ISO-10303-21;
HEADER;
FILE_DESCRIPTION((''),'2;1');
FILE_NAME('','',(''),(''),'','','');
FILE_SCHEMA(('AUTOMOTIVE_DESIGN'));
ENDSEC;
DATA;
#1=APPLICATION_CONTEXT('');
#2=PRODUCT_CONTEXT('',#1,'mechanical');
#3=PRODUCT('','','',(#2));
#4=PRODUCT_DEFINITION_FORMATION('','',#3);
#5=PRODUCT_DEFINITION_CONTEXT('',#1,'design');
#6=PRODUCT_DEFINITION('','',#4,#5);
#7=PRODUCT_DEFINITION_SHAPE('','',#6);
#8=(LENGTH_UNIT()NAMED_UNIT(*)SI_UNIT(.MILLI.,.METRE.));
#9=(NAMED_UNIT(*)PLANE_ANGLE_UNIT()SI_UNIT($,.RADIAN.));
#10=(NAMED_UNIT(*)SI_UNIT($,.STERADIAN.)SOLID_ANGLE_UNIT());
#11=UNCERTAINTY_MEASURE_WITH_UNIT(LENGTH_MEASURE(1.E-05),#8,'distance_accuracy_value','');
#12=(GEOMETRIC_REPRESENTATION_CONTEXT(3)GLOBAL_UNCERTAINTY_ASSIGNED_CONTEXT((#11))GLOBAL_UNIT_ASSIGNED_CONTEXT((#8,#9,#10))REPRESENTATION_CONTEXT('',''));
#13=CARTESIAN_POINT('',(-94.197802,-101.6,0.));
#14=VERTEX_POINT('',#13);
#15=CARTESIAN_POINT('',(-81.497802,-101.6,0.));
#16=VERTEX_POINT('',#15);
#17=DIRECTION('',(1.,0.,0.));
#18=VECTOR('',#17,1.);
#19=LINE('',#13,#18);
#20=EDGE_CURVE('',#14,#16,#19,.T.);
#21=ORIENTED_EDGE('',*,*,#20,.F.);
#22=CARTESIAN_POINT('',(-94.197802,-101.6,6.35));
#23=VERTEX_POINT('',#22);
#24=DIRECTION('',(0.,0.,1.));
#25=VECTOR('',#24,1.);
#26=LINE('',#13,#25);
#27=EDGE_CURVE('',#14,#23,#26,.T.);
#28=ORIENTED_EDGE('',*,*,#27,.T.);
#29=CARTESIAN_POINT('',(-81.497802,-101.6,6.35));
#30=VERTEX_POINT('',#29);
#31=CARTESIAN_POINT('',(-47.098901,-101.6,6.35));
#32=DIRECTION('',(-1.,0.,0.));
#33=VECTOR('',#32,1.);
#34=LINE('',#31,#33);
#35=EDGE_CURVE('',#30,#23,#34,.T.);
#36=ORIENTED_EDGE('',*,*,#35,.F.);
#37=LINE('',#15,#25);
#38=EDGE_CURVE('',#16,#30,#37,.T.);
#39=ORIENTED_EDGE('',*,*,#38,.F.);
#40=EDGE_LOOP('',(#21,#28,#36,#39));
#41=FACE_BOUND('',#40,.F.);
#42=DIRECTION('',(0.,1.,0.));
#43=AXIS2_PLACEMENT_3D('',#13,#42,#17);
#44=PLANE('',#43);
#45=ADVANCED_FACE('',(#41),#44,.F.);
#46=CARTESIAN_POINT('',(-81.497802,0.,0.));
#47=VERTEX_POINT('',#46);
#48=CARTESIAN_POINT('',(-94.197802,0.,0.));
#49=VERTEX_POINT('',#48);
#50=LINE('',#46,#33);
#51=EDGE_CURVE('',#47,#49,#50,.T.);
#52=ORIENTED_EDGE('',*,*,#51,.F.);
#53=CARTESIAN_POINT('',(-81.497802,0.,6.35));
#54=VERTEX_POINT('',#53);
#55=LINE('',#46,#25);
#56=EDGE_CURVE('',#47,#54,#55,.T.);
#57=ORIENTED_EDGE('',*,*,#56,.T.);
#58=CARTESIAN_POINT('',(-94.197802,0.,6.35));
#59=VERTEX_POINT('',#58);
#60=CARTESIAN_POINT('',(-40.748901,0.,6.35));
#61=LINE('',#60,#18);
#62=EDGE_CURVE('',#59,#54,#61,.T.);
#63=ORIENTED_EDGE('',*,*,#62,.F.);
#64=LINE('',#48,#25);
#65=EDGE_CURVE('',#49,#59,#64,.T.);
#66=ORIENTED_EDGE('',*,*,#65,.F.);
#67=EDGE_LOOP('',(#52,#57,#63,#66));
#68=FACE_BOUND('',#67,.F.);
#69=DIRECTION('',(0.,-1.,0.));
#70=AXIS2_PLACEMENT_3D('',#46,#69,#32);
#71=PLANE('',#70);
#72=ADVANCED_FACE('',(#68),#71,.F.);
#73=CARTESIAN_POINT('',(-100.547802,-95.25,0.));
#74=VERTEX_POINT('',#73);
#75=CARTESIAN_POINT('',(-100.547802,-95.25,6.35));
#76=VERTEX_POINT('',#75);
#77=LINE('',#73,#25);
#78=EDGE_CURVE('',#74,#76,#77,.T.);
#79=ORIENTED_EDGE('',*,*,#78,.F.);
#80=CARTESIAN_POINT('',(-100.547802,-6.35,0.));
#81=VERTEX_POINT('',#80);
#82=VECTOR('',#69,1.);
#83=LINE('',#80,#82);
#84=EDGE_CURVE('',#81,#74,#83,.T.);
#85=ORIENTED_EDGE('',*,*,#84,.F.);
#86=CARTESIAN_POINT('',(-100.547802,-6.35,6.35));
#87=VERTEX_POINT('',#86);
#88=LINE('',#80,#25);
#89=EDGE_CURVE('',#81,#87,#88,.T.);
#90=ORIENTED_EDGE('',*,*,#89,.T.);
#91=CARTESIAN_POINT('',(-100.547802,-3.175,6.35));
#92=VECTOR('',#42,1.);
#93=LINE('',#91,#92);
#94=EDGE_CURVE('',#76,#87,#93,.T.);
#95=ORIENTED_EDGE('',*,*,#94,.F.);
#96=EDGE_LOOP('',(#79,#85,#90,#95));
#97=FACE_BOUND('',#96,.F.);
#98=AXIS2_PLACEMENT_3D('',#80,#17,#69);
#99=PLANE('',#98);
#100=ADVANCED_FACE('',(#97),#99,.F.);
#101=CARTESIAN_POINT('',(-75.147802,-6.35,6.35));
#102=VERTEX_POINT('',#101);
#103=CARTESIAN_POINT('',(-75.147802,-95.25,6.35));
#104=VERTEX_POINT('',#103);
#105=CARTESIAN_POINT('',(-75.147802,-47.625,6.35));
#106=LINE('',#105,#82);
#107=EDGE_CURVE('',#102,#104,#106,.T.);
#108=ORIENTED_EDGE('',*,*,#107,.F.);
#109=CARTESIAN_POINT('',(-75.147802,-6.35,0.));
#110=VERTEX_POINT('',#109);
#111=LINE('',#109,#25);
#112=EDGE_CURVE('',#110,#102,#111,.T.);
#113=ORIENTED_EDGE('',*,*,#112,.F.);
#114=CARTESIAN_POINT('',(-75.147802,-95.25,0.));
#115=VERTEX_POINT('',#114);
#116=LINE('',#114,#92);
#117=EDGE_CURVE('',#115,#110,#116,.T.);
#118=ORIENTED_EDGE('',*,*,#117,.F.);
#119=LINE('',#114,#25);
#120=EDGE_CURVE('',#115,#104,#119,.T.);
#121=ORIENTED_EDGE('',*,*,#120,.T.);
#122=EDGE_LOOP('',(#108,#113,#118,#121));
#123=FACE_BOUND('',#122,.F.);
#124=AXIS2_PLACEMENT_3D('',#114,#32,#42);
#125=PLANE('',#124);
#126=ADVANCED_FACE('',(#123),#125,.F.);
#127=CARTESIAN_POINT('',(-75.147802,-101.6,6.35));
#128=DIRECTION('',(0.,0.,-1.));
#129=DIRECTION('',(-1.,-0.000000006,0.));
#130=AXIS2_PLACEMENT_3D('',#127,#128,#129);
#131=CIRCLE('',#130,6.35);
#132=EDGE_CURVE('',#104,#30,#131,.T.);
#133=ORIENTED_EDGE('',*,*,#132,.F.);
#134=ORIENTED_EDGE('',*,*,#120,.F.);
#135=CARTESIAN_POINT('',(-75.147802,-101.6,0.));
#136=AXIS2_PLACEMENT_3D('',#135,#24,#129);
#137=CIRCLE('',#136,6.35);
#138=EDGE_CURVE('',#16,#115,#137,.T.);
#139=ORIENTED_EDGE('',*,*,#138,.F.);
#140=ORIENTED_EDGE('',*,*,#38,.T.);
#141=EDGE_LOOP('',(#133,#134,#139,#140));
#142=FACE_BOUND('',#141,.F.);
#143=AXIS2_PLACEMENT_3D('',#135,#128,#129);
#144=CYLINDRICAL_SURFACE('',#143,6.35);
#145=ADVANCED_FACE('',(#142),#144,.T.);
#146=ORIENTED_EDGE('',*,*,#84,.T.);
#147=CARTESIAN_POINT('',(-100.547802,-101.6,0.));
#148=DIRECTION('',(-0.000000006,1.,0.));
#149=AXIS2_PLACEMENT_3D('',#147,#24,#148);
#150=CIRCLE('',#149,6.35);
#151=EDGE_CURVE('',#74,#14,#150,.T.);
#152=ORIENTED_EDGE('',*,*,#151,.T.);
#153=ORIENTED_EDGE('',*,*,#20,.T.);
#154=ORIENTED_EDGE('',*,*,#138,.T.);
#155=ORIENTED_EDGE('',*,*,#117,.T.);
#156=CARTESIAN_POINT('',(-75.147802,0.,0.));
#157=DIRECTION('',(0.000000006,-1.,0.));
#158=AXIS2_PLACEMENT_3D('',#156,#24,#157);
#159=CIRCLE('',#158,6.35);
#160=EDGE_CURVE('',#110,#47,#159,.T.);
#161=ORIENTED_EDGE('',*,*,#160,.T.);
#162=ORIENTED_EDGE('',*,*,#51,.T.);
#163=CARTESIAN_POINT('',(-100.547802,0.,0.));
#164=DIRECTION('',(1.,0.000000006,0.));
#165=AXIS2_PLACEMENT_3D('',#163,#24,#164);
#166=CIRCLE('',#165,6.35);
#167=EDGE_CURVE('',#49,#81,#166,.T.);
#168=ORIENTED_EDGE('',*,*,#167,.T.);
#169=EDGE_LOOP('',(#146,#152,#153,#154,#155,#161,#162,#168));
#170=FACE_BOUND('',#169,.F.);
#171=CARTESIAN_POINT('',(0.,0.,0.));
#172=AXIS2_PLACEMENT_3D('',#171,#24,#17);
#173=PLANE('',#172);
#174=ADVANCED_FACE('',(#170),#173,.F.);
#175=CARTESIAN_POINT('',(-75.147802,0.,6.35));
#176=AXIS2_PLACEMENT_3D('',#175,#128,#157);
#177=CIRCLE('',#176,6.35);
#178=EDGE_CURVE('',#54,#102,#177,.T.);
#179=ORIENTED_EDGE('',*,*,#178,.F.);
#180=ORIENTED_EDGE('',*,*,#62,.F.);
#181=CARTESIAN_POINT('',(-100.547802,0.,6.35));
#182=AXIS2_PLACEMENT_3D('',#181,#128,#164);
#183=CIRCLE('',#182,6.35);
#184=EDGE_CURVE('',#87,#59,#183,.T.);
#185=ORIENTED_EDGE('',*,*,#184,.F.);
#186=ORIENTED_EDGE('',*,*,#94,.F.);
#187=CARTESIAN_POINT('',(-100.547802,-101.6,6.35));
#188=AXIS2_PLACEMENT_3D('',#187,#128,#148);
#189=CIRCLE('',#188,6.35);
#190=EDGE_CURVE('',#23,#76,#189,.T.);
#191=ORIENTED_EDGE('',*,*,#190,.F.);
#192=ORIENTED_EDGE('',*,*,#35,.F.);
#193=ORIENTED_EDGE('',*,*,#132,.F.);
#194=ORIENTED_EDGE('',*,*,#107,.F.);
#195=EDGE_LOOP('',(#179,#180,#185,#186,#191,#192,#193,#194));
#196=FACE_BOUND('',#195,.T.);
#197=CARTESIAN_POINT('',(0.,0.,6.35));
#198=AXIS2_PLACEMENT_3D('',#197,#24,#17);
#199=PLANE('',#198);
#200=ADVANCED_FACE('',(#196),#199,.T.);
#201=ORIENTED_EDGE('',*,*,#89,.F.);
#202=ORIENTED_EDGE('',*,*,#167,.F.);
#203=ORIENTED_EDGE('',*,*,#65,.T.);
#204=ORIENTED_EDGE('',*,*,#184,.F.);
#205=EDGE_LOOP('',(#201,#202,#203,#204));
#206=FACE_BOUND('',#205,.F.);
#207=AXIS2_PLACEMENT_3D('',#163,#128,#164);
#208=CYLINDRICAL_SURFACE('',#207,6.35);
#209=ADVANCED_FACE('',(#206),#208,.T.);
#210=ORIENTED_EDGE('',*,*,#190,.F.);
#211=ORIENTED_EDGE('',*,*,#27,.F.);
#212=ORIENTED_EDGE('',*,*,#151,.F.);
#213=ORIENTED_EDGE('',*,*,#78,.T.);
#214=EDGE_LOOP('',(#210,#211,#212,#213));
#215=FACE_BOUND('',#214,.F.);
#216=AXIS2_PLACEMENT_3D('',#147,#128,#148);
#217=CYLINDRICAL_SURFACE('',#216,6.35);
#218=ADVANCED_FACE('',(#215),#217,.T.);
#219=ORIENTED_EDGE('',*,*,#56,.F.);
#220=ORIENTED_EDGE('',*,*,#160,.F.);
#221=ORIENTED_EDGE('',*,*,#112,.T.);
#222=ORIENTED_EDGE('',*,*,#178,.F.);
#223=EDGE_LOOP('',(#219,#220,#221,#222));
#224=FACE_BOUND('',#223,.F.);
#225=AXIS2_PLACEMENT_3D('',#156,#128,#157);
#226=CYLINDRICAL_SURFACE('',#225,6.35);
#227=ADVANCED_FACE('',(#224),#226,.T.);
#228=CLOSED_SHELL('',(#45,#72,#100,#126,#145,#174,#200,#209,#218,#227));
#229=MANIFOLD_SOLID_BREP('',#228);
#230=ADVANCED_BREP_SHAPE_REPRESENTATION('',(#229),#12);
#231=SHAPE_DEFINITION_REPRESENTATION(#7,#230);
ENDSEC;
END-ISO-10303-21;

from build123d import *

# Parameters (mm, degrees)
F0_W     = 254
F0_H     = 254
F1_DEPTH = 6.35
F2_W     = 254
F2_H     = 254
F3_DEPTH = 25.4


with BuildPart() as f1:
    # F0 (on Top) → F1 (new body)
    with BuildSketch(Plane.XY):
        Rectangle(F0_W, F0_H)
    extrude(amount=F1_DEPTH)

    # F2 (on face) → F3 (cut)
    with BuildSketch(Plane(origin=(0, 0, 0), x_dir=(1, 0, 0), z_dir=(0, 0, -1))):
        Rectangle(F2_W, F2_H)
        with BuildLine():
            ThreePointArc((-100.547802, 95.25), (-105.03793, 106.090128), (-94.197802, 101.6))
            Line((-94.197802, 101.6), (-81.497802, 101.6))
            ThreePointArc((-81.497802, 101.6), (-70.657674, 106.090128), (-75.147802, 95.25))
            Line((-75.147802, 95.25), (-75.147802, 6.35))
            ThreePointArc((-75.147802, 6.35), (-70.657674, -4.490128), (-81.497802, 0))
            Line((-81.497802, 0), (-94.197802, 0))
            ThreePointArc((-94.197802, 0), (-105.03793, -4.490128), (-100.547802, 6.35))
            Line((-100.547802, 6.35), (-100.547802, 95.25))
        make_face(mode=Mode.SUBTRACT)
    extrude(amount=-F3_DEPTH, mode=Mode.SUBTRACT)


solid = f1.part
